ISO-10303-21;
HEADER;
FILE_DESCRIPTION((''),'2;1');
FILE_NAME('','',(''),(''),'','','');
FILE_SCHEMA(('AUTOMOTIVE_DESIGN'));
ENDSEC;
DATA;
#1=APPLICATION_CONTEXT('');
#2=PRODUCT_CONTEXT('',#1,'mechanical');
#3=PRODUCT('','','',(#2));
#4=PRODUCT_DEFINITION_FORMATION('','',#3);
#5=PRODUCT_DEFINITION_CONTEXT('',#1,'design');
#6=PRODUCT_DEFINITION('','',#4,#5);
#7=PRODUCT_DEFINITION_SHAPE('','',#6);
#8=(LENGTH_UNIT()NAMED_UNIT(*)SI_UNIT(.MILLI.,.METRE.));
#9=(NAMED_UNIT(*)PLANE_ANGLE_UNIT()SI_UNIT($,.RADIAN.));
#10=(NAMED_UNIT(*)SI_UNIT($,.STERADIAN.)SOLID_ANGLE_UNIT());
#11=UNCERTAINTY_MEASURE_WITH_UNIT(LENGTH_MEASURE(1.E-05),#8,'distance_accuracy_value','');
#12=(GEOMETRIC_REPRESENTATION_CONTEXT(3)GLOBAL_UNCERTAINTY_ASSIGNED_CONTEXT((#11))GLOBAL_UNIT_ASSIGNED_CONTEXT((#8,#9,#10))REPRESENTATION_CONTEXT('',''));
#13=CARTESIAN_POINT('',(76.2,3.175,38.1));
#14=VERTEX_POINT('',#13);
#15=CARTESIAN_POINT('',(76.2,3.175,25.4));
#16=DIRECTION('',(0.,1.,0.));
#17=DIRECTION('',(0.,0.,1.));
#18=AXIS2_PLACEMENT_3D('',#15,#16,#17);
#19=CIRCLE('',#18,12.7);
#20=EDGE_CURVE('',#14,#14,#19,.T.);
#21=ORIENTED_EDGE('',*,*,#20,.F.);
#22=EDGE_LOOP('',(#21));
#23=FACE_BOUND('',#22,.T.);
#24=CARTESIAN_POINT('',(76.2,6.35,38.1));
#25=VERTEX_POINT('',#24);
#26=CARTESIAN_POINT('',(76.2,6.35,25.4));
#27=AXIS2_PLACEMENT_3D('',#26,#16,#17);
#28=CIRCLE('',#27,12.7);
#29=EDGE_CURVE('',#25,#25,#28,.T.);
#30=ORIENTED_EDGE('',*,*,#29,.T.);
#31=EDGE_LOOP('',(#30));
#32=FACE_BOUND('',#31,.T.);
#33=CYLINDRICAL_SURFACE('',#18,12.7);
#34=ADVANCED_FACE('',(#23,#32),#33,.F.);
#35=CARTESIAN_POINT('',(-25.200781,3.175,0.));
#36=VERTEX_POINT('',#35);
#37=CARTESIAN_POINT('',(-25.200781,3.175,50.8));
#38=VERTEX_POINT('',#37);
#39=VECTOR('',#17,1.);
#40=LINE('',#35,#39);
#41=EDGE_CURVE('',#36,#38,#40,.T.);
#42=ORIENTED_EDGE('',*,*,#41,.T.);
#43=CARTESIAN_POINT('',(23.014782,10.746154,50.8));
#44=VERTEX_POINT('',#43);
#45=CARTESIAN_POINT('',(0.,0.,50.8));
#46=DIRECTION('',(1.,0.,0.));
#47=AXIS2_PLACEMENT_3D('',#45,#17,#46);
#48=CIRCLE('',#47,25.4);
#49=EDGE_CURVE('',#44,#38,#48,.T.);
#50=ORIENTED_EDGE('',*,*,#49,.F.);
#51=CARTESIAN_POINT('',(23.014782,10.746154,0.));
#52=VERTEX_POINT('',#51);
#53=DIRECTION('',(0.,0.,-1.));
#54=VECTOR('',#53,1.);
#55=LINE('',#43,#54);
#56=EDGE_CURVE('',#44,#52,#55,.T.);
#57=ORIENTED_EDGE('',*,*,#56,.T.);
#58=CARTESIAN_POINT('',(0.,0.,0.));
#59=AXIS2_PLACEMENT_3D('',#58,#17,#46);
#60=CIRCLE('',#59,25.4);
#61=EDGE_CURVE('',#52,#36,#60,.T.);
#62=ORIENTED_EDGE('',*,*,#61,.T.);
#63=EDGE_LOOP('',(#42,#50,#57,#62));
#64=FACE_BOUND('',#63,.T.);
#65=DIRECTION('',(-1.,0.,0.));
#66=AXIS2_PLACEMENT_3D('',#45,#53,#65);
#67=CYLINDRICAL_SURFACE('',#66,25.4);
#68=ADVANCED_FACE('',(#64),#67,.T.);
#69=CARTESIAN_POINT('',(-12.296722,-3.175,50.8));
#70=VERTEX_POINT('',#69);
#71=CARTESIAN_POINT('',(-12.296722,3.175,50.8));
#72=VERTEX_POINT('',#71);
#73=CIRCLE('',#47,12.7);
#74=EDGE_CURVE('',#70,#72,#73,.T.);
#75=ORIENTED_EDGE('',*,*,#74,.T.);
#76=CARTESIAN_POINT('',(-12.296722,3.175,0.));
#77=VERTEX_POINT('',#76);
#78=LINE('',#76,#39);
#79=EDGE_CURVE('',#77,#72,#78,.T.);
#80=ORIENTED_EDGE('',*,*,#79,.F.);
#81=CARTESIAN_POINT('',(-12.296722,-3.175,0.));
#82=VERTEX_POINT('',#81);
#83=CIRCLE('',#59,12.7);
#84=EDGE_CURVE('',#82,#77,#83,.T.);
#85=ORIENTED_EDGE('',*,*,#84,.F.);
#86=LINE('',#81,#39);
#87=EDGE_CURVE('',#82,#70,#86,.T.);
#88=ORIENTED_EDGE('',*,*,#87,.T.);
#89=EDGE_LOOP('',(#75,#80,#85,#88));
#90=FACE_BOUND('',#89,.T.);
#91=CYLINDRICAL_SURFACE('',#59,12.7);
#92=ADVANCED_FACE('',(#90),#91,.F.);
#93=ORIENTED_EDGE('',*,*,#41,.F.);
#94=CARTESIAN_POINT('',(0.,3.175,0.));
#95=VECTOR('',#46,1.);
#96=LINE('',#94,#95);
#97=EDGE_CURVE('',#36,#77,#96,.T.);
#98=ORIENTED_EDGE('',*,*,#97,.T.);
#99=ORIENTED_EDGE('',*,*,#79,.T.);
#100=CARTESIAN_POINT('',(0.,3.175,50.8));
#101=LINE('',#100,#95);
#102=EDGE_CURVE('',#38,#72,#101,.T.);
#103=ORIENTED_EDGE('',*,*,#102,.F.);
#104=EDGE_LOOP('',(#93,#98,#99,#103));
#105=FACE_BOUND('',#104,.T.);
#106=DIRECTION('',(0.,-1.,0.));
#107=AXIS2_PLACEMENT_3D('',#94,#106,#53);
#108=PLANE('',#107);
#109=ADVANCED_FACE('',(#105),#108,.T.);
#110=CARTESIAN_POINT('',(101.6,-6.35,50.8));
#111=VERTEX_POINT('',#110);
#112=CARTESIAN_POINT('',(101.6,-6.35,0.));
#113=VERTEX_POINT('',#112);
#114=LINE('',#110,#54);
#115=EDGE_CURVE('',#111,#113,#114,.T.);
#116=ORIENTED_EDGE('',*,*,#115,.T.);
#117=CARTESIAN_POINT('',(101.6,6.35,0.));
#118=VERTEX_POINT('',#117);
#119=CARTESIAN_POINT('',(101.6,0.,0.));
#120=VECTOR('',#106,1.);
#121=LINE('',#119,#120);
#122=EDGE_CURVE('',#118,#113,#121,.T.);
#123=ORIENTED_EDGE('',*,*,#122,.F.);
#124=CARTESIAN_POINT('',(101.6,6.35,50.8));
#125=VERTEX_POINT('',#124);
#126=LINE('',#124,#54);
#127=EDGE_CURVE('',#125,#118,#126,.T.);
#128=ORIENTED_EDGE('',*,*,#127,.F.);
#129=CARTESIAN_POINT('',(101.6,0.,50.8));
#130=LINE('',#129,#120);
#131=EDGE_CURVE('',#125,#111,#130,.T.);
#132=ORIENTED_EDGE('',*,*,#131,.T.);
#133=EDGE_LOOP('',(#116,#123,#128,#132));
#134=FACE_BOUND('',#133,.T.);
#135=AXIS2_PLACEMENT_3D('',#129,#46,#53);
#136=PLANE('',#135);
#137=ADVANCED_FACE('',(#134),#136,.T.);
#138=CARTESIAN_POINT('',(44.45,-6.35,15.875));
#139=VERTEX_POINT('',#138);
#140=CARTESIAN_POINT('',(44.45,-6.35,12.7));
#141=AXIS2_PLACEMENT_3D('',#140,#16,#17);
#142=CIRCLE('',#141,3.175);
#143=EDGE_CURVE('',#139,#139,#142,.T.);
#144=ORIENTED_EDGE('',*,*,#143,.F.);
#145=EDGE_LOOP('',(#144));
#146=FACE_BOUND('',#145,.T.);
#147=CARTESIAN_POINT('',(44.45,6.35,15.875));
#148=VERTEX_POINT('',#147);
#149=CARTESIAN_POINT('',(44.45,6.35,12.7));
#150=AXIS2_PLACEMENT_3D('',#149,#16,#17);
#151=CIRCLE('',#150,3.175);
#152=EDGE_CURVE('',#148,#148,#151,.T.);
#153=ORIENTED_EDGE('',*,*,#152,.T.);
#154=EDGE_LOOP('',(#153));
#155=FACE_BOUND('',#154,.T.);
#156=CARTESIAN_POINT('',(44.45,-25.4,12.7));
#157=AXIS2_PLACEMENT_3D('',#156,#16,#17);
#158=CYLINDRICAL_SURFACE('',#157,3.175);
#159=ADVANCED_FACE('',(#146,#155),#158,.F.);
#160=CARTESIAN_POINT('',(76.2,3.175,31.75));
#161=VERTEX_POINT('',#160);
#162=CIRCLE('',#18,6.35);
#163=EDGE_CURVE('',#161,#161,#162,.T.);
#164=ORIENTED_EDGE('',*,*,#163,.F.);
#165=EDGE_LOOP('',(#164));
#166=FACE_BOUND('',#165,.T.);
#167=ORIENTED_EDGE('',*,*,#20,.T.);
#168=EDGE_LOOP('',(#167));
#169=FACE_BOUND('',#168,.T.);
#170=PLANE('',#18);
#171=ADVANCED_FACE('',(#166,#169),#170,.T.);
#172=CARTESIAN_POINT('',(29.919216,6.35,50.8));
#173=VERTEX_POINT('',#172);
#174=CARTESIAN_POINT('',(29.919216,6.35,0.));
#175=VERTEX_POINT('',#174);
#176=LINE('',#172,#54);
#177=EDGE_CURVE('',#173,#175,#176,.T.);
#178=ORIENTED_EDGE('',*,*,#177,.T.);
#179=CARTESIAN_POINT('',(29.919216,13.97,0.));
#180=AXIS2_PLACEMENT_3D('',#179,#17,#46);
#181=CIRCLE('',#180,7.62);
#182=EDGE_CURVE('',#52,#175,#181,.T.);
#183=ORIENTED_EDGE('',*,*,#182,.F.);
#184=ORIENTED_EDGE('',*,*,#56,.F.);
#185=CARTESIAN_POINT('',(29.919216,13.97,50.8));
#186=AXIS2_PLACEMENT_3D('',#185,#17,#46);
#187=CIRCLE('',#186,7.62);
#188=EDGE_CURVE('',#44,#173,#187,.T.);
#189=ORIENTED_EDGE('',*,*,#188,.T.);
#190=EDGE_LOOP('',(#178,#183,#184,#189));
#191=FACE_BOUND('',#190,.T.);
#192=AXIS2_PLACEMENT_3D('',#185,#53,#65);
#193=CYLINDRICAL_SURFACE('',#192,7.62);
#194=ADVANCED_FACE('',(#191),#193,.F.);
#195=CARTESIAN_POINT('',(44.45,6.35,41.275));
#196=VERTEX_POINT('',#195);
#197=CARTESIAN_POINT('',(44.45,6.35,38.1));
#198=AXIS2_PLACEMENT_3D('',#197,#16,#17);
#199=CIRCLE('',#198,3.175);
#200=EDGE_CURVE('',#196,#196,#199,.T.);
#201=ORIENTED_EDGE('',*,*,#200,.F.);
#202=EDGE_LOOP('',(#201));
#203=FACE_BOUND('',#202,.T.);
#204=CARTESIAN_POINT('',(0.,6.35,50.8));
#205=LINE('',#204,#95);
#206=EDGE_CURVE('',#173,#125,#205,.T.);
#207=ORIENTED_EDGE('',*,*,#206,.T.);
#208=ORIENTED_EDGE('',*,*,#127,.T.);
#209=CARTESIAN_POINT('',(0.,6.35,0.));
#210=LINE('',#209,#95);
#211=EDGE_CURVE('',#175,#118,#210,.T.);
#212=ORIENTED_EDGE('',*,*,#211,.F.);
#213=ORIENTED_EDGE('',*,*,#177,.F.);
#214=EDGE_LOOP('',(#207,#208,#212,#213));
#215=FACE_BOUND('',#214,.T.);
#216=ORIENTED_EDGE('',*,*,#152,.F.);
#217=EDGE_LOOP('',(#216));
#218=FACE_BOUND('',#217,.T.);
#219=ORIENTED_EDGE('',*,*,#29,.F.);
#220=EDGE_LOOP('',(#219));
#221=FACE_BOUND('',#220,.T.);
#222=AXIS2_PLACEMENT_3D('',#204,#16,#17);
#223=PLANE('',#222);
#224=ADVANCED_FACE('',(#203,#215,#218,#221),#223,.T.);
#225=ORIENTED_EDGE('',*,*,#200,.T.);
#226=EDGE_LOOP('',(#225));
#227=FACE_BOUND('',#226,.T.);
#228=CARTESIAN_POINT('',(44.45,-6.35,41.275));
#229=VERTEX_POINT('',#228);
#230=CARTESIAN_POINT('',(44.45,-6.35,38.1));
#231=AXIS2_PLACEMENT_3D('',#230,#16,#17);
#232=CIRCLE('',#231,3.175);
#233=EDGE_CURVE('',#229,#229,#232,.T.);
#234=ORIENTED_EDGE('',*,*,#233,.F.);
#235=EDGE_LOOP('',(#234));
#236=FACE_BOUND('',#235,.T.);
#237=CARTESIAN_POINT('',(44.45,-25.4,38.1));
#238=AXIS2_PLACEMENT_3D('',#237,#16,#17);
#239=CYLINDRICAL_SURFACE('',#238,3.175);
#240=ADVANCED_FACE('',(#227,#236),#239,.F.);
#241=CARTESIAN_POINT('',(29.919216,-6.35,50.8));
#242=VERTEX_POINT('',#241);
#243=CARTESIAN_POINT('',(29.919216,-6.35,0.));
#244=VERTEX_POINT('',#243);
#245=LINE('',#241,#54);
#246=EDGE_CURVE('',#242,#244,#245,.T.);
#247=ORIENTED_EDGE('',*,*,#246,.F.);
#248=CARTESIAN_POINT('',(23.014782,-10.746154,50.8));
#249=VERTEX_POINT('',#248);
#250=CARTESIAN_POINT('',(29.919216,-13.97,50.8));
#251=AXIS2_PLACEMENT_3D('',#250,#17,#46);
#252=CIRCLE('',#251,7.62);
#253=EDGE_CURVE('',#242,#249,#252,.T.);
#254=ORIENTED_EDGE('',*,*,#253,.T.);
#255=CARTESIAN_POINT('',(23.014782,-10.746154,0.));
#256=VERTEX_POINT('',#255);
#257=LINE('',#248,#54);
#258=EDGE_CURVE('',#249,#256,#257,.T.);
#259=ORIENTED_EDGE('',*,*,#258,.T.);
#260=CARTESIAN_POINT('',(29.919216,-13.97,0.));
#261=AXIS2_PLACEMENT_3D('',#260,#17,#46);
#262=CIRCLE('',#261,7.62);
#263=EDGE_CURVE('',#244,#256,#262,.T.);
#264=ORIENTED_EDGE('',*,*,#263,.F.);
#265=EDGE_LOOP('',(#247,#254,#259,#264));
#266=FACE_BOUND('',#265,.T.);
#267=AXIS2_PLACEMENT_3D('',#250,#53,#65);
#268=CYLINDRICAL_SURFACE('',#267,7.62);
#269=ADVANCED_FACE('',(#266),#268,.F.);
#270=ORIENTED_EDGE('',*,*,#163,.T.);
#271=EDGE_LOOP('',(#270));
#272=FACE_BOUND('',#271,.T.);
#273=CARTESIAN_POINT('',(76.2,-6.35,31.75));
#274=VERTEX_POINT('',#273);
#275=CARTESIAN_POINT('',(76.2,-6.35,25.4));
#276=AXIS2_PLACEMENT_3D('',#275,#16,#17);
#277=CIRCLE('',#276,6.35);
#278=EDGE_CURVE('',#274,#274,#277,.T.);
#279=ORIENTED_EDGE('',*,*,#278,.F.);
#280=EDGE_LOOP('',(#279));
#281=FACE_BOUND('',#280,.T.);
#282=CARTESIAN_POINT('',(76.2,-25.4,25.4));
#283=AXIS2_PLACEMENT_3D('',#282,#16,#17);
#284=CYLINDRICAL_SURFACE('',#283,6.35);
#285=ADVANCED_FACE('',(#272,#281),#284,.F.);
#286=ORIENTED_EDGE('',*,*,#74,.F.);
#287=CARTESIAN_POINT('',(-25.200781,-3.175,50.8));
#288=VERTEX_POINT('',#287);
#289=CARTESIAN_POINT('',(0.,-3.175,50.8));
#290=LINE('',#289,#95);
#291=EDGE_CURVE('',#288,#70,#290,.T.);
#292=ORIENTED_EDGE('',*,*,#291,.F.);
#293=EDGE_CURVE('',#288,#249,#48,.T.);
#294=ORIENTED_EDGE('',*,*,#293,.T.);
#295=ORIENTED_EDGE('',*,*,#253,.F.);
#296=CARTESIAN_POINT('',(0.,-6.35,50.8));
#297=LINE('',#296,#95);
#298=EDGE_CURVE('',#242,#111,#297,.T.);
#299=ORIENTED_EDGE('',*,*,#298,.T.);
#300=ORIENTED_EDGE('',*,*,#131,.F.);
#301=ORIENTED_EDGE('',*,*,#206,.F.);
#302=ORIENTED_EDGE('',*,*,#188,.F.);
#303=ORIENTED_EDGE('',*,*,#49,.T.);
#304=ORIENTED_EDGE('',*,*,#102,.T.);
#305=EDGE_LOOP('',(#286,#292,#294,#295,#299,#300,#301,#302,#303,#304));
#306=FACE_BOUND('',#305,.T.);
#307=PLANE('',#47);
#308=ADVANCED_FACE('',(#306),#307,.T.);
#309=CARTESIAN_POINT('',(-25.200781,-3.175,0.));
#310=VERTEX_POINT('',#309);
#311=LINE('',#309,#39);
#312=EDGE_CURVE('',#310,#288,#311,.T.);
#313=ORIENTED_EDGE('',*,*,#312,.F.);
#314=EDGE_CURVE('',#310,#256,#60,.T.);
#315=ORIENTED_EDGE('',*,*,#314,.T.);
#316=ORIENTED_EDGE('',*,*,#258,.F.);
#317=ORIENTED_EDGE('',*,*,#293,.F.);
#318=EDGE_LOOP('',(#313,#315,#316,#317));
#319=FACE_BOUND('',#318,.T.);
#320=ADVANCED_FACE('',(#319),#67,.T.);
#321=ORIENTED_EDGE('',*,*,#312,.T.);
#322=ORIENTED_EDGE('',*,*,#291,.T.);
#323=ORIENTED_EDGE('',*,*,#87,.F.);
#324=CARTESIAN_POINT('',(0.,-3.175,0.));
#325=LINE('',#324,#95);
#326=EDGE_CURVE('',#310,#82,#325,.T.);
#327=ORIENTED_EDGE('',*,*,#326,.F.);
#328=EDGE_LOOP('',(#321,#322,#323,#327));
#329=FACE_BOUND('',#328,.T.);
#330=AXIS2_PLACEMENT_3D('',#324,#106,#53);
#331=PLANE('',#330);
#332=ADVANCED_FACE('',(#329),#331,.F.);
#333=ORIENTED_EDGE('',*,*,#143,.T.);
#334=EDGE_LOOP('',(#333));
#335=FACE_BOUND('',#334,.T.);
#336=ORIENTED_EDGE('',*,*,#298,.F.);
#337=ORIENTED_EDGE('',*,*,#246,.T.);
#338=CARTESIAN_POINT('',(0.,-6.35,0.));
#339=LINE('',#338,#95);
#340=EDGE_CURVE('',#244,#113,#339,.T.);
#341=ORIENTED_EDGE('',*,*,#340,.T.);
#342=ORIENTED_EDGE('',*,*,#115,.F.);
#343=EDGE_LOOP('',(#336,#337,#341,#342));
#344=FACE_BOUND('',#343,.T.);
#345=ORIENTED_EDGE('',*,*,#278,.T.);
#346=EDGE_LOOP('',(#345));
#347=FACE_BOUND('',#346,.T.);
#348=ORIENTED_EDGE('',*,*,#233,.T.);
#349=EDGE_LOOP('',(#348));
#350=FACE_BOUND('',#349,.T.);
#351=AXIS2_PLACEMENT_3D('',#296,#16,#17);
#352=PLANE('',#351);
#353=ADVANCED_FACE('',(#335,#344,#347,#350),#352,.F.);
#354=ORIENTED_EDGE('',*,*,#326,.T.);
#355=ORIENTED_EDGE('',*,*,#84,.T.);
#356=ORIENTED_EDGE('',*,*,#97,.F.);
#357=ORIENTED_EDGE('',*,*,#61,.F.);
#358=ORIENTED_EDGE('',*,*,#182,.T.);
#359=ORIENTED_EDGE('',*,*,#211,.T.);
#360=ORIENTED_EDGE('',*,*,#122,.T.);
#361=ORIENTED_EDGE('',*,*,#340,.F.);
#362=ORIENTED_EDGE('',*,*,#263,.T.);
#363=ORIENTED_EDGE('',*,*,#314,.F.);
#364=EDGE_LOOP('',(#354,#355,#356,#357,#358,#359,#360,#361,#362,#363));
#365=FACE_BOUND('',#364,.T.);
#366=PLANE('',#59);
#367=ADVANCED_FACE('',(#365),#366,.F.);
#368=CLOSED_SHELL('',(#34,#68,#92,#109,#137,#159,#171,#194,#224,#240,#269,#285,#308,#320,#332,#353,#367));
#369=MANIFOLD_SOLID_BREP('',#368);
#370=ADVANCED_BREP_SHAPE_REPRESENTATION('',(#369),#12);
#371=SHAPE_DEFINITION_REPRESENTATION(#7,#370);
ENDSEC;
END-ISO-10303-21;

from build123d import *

# Parameters (mm, degrees)
BOSS_EXTRUDE2_DEPTH     = 50.8
SKETCH2_R               = 12.7
CUT_EXTRUDE1_DEPTH      = 3.175
SKETCH3_R               = 6.35
CUT_EXTRUDE2_DEPTH      = 118.131253835
CUT_EXTRUDE3_DEPTH      = 117.397422652
CUT_EXTRUDE3_DEPTH_BACK = 117.397422652
SKETCH5_R               = 3.175
CUT_EXTRUDE4_DEPTH      = 118.946015193


with BuildPart() as part:
    # Sketch1 → Boss-Extrude2 (new body)
    with BuildSketch(Plane.XY):
        with BuildLine():
            Line((29.919216233, -6.35), (24.593444248, -6.35))
            ThreePointArc((24.593444248, -6.35), (23.905382985, -8.584443158), (23.014781645, -10.746154003))
            ThreePointArc((23.014781645, -10.746154003), (25.826619655, -7.542321317), (29.919216233, -6.35))
        make_face()
        with BuildLine():
            ThreePointArc((23.01478179, 10.746153692), (23.905383043, 8.584442996), (24.593444248, 6.35))
            Line((24.593444248, 6.35), (29.919216228, 6.35))
            ThreePointArc((29.919216228, 6.35), (25.826619797, 7.542321227), (23.01478179, 10.746153692))
        make_face()
        with BuildLine():
            Line((29.919216228, 6.35), (24.593444248, 6.35))
            ThreePointArc((24.593444248, 6.35), (25.197554285, 3.200509029), (25.4, 0))
            ThreePointArc((25.4, 0), (25.197554285, -3.200509029), (24.593444248, -6.35))
            Line((24.593444248, -6.35), (29.919216233, -6.35))
            Line((29.919216233, -6.35), (101.6, -6.35))
            Line((101.6, -6.35), (101.6, 6.35))
            Line((101.6, 6.35), (29.919216228, 6.35))
        make_face()
        with BuildLine():
            Line((24.593444248, -6.35), (0, -6.35))
            Line((0, -6.35), (0, -25.4))
            ThreePointArc((0, -25.4), (13.641988278, -21.425595811), (23.014781645, -10.746154003))
            ThreePointArc((23.014781645, -10.746154003), (23.905382985, -8.584443158), (24.593444248, -6.35))
        make_face()
        with BuildLine():
            Line((24.593444248, 6.35), (0, 6.35))
            Line((0, 6.35), (0, -6.35))
            Line((0, -6.35), (24.593444248, -6.35))
            ThreePointArc((24.593444248, -6.35), (25.197554285, -3.200509029), (25.4, 0))
            ThreePointArc((25.4, 0), (25.197554285, 3.200509029), (24.593444248, 6.35))
        make_face()
        with BuildLine():
            Line((0, 25.4), (0, 6.35))
            Line((0, 6.35), (24.593444248, 6.35))
            ThreePointArc((24.593444248, 6.35), (23.905383043, 8.584442996), (23.01478179, 10.746153692))
            ThreePointArc((23.01478179, 10.746153692), (13.641988422, 21.425595718), (0, 25.4))
        make_face()
        with BuildLine():
            Line((0, -6.35), (0, 6.35))
            Line((0, 6.35), (0, 25.4))
            ThreePointArc((0, 25.4), (-25.4, 0), (0, -25.4))
            Line((0, -25.4), (0, -6.35))
        make_face()
    extrude(amount=BOSS_EXTRUDE2_DEPTH)

    # Sketch2 → Cut-Extrude1 (cut)
    with BuildSketch(Plane(origin=(0, 6.35, 0), x_dir=(1, 0, 0), z_dir=(0, 1, 0))):
        with Locations(Location((76.2, -25.4, 0), (0, 0, 270))):
            Circle(SKETCH2_R)
    extrude(amount=-CUT_EXTRUDE1_DEPTH, mode=Mode.SUBTRACT)

    # Sketch3 → Cut-Extrude2 (cut, through all)
    with BuildSketch(Plane(origin=(0, 3.175, 0), x_dir=(1, 0, 0), z_dir=(0, 1, 0))):
        with Locations(Location((76.2, -25.4, 0), (0, 0, 270))):
            Circle(SKETCH3_R)
    extrude(amount=-CUT_EXTRUDE2_DEPTH, mode=Mode.SUBTRACT)

    # Sketch4 → Cut-Extrude3 (cut, two sides: drawn at the far end of the back side and taken through both)
    with BuildSketch(Plane.XY.offset(50.8).offset(-CUT_EXTRUDE3_DEPTH_BACK)):
        with BuildLine():
            Line((-12.296722124, 3.175), (-25.200781238, 3.175))
            ThreePointArc((-25.200781238, 3.175), (-25.350146385, 1.590621979), (-25.4, 0))
            ThreePointArc((-25.4, 0), (-25.350146385, -1.590621979), (-25.200781238, -3.175))
            Line((-25.200781238, -3.175), (-12.296722124, -3.175))
            ThreePointArc((-12.296722124, -3.175), (-12.7, 0), (-12.296722124, 3.175))
        make_face()
        with BuildLine():
            ThreePointArc((12.7, 0), (1.600254515, 12.598777143), (-12.296722124, 3.175))
            Line((-12.296722124, 3.175), (0, 3.175))
            Line((0, 3.175), (0, -3.175))
            Line((0, -3.175), (-12.296722124, -3.175))
            ThreePointArc((-12.296722124, -3.175), (1.600254515, -12.598777143), (12.7, 0))
        make_face()
        with BuildLine():
            Line((0, 3.175), (-12.296722124, 3.175))
            ThreePointArc((-12.296722124, 3.175), (-12.7, 0), (-12.296722124, -3.175))
            Line((-12.296722124, -3.175), (0, -3.175))
            Line((0, -3.175), (0, 3.175))
        make_face()
    extrude(amount=CUT_EXTRUDE3_DEPTH + CUT_EXTRUDE3_DEPTH_BACK, mode=Mode.SUBTRACT)

    # Sketch5 → Cut-Extrude4 (cut, through all)
    with BuildSketch(Plane(origin=(0, 6.35, 0), x_dir=(1, 0, 0), z_dir=(0, 1, 0))):
        with Locations(Location((44.45, -12.7, 0), (0, 0, 270))):
            Circle(SKETCH5_R)
        with Locations(Location((44.45, -38.1, 0), (0, 0, 270))):
            Circle(SKETCH5_R)
    extrude(amount=-CUT_EXTRUDE4_DEPTH, mode=Mode.SUBTRACT)


solid = part.part
